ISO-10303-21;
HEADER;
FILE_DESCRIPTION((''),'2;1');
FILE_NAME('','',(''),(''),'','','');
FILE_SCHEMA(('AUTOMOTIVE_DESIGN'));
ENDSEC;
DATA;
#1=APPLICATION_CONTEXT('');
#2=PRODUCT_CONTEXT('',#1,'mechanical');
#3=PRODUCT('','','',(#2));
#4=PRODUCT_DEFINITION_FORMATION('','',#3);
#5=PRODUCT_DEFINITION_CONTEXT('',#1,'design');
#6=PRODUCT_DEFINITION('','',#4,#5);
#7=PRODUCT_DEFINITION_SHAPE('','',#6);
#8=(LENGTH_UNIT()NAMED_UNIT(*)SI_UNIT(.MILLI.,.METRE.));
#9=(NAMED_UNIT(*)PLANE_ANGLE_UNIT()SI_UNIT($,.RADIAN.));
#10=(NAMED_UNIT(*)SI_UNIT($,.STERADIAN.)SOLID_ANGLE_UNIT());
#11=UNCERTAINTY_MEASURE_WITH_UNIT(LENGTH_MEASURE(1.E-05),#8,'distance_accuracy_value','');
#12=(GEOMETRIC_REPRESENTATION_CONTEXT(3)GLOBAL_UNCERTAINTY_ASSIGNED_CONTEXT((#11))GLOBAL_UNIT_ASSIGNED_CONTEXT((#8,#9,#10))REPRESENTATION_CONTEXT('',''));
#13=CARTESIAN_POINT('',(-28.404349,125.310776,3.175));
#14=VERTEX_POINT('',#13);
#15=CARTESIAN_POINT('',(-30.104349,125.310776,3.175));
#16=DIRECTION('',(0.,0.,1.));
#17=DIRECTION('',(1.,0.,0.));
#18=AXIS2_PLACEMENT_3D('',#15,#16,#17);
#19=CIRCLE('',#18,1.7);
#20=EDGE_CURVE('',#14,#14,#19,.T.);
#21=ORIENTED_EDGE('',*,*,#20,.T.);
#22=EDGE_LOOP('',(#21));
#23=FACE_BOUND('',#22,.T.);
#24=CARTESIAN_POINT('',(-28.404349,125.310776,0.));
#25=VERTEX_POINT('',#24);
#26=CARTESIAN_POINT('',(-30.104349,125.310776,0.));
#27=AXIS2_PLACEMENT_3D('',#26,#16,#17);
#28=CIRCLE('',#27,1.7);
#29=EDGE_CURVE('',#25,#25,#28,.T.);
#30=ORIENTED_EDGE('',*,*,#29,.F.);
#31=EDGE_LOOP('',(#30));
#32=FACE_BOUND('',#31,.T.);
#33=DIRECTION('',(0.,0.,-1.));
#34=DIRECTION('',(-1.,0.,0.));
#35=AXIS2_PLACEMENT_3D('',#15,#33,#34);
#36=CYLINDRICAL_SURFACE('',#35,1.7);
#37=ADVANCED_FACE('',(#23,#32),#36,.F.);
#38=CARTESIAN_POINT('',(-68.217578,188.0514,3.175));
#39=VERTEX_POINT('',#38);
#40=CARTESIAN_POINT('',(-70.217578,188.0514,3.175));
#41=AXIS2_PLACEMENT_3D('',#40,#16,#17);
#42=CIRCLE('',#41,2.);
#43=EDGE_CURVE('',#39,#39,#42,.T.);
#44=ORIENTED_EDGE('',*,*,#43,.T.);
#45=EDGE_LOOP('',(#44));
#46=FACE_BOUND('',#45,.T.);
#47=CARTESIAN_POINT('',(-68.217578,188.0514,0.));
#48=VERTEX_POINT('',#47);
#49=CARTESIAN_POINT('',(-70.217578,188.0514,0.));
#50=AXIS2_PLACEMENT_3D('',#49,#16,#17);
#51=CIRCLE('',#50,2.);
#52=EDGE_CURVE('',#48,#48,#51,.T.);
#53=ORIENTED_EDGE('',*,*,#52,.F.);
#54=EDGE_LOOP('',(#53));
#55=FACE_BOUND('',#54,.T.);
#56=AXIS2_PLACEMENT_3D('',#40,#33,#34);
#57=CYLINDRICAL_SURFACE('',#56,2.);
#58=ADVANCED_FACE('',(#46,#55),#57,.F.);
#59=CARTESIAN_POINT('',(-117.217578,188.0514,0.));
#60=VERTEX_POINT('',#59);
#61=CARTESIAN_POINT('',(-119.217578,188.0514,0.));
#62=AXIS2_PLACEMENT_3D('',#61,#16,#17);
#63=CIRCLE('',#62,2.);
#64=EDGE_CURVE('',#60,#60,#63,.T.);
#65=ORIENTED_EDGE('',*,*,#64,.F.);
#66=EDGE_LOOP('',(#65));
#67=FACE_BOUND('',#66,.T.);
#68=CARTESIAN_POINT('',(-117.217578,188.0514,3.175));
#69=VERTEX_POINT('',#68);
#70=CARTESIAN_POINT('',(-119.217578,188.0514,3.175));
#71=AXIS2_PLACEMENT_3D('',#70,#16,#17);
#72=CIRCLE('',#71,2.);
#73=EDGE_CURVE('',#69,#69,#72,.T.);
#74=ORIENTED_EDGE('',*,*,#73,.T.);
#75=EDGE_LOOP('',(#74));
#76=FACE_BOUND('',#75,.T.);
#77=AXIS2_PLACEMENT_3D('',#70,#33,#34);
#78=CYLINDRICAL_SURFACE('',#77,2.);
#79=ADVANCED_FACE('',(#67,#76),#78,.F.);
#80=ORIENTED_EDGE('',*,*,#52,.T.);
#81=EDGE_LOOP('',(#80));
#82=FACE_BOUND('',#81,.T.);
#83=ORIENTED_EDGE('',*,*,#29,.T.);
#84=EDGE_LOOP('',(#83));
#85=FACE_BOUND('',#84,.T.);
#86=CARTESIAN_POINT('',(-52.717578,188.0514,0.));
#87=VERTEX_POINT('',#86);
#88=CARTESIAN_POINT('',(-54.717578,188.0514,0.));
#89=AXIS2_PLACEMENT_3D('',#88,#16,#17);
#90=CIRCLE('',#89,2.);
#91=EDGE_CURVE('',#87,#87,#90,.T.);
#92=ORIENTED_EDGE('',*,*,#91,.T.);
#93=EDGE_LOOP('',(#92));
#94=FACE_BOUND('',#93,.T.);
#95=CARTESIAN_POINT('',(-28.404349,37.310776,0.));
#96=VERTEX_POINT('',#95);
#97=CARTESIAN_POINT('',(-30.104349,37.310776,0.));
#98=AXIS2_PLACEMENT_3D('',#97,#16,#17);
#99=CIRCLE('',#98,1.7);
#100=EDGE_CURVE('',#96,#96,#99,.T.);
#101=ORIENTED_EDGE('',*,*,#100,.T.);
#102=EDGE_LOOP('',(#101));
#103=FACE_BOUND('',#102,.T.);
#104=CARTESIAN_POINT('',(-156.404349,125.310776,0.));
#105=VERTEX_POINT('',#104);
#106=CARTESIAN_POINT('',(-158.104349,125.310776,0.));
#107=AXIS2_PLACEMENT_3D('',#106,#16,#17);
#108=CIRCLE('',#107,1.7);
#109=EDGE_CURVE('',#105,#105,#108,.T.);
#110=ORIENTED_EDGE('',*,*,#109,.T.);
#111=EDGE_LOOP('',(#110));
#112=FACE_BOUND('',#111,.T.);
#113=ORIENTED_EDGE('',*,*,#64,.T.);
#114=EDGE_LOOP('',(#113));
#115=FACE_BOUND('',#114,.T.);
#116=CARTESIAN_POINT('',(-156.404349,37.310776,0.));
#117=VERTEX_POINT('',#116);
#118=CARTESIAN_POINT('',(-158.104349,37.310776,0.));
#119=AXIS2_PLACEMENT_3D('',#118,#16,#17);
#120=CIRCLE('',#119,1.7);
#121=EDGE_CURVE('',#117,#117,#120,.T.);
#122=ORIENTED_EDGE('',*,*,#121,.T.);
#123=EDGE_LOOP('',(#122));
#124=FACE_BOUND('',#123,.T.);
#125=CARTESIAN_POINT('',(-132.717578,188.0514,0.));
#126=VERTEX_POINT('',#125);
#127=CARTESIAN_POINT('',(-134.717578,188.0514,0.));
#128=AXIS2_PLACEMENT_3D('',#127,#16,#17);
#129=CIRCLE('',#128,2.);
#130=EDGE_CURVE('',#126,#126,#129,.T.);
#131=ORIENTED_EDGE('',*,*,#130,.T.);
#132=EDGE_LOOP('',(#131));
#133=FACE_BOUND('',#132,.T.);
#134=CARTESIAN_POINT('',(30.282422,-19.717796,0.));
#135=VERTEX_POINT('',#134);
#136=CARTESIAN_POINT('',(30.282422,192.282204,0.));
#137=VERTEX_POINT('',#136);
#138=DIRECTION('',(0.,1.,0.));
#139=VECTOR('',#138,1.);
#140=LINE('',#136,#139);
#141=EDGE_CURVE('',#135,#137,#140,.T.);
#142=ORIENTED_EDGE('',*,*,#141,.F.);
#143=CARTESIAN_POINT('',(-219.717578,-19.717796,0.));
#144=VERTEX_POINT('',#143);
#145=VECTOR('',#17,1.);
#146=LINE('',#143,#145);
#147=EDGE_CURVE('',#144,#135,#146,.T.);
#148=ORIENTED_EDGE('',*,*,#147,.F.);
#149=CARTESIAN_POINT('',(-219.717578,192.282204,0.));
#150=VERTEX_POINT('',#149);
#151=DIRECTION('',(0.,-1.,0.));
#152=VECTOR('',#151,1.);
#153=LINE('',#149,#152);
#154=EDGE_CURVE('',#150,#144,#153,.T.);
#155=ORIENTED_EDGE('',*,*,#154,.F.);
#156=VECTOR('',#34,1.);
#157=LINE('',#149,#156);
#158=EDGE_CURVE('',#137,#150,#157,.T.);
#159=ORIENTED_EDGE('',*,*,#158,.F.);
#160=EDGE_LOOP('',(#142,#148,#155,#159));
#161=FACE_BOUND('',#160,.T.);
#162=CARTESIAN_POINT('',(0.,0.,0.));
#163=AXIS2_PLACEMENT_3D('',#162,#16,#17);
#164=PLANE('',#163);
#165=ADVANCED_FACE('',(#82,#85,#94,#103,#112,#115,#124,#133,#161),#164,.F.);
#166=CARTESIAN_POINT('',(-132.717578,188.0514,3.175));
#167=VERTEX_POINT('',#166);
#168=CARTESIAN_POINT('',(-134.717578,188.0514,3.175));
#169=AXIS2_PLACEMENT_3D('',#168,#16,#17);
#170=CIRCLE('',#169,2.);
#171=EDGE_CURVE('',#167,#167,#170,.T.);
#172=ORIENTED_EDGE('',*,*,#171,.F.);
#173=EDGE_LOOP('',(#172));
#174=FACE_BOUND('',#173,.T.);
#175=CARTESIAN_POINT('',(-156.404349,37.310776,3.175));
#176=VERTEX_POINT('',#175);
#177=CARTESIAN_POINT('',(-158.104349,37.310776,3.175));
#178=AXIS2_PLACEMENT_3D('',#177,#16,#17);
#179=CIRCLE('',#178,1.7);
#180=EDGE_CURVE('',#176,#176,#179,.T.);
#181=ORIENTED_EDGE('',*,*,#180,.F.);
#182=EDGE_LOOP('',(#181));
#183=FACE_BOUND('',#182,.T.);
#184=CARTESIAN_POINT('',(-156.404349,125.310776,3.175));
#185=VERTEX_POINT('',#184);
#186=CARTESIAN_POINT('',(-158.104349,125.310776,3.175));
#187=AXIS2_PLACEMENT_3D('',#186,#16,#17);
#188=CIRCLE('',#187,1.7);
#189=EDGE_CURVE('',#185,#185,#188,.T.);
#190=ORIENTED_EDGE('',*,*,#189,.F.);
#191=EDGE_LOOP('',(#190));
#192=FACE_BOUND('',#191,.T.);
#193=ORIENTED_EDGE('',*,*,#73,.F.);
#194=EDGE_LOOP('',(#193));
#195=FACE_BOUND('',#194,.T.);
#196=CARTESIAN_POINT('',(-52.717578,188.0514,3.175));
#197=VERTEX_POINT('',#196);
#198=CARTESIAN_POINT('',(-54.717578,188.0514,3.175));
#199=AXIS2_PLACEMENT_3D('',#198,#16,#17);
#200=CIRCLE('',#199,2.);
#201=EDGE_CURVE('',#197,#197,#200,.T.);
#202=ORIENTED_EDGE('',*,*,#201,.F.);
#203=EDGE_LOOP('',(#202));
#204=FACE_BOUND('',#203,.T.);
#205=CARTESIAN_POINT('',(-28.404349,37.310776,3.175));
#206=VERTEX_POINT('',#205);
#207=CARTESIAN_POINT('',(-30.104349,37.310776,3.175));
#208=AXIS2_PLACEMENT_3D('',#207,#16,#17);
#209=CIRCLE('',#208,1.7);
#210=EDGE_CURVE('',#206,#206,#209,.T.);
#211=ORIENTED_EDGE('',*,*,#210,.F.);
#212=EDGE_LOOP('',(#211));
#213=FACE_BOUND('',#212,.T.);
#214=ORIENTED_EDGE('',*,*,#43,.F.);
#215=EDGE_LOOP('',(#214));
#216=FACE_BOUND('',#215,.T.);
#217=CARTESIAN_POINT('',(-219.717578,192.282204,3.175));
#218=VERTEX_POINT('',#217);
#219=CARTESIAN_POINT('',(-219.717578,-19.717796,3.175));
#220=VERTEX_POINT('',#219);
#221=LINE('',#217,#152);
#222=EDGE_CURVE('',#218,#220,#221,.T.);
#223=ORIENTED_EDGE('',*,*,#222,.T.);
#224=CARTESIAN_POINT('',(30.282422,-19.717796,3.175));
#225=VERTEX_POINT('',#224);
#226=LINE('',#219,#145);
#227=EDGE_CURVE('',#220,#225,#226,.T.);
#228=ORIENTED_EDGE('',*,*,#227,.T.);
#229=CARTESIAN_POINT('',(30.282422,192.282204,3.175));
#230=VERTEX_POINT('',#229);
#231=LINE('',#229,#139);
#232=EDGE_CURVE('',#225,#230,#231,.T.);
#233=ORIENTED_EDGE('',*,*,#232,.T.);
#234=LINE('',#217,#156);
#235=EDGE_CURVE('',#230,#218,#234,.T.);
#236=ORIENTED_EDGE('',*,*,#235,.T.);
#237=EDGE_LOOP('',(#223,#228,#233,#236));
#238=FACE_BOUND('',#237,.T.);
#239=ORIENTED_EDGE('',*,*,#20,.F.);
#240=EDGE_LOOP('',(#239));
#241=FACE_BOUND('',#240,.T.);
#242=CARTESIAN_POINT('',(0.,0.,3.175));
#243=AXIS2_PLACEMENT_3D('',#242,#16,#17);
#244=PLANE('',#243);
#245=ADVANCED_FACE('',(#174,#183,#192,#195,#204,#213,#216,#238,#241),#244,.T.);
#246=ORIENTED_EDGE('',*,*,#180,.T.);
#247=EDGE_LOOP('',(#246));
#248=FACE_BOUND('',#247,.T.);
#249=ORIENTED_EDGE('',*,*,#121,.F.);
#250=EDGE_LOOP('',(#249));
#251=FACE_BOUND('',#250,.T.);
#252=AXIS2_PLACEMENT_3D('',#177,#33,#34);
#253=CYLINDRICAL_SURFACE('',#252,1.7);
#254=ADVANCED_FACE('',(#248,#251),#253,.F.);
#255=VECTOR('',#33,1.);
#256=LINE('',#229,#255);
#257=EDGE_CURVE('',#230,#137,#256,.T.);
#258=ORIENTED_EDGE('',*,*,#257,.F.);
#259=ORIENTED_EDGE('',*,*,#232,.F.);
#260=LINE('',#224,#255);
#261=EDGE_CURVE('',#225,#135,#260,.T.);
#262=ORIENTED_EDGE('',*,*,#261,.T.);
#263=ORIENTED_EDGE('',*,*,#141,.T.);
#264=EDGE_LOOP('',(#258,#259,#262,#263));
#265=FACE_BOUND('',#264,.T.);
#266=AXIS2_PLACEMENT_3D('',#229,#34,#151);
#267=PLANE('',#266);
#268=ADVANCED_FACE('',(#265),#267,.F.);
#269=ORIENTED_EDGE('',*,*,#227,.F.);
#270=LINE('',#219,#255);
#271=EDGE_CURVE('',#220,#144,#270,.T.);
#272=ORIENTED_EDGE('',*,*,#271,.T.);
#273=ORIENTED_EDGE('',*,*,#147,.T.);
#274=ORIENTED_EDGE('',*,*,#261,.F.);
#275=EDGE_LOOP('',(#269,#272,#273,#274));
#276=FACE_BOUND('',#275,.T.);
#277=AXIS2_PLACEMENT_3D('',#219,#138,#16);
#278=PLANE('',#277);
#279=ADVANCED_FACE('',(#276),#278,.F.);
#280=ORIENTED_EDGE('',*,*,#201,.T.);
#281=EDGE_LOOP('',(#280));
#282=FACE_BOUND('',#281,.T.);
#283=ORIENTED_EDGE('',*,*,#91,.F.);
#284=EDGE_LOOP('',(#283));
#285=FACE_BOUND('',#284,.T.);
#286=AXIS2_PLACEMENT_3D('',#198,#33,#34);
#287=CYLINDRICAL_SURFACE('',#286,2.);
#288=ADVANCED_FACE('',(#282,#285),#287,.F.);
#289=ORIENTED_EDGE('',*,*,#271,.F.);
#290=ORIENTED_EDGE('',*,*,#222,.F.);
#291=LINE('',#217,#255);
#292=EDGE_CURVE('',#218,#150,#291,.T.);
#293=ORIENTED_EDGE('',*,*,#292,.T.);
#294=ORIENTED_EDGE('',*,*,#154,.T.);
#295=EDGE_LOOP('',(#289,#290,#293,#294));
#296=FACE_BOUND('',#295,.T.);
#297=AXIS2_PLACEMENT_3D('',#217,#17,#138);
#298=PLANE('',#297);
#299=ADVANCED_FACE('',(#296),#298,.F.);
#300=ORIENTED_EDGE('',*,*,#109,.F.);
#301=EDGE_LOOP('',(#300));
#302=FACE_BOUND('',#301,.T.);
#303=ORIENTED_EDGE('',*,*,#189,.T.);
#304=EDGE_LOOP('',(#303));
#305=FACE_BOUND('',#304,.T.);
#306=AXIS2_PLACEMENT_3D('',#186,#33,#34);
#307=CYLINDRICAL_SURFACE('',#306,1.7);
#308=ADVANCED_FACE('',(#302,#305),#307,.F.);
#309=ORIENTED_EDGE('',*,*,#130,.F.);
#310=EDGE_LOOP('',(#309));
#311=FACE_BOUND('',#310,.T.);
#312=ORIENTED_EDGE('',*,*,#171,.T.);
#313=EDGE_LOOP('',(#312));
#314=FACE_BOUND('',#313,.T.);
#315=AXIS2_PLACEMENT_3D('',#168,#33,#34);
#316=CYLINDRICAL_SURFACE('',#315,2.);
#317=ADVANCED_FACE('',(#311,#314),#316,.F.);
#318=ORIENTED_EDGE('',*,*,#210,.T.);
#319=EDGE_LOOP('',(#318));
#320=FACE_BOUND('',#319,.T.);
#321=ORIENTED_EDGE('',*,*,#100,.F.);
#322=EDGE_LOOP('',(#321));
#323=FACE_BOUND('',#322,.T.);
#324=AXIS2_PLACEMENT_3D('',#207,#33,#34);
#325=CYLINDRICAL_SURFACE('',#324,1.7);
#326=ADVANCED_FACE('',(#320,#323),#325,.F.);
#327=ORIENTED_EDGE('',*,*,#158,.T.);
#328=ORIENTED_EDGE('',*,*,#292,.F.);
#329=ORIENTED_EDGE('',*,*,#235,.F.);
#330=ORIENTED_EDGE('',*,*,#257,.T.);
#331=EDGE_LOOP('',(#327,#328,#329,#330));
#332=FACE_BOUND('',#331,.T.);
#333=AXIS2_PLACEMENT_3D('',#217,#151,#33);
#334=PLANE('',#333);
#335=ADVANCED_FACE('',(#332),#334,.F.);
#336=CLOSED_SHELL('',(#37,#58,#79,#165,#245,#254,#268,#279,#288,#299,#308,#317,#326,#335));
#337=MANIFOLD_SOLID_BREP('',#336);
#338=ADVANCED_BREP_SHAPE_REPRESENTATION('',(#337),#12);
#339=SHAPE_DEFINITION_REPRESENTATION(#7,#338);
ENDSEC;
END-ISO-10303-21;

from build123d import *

# Parameters (mm, degrees)
SKETCH1_W           = 250
SKETCH1_H           = 212
SKETCH1_R           = 1.7
SKETCH1_R_2         = 2
BOSS_EXTRUDE1_DEPTH = 3.175


with BuildPart() as part:
    # Sketch1 → Boss-Extrude1 (new body)
    with BuildSketch(Plane.XY):
        with Locations((-94.717578185, 86.282204336)):
            Rectangle(SKETCH1_W, SKETCH1_H)
        with Locations((-158.104348788, 37.310775618)):
            Circle(SKETCH1_R, mode=Mode.SUBTRACT)
        with Locations((-30.104348788, 37.310775618)):
            Circle(SKETCH1_R, mode=Mode.SUBTRACT)
        with Locations((-158.104348788, 125.310775618)):
            Circle(SKETCH1_R, mode=Mode.SUBTRACT)
        with Locations((-30.104348788, 125.310775618)):
            Circle(SKETCH1_R, mode=Mode.SUBTRACT)
        with Locations((-54.717578185, 188.051399825)):
            Circle(SKETCH1_R_2, mode=Mode.SUBTRACT)
        with Locations((-70.217578185, 188.051399825)):
            Circle(SKETCH1_R_2, mode=Mode.SUBTRACT)
        with Locations((-119.217578185, 188.051399825)):
            Circle(SKETCH1_R_2, mode=Mode.SUBTRACT)
        with Locations((-134.717578185, 188.051399825)):
            Circle(SKETCH1_R_2, mode=Mode.SUBTRACT)
    extrude(amount=BOSS_EXTRUDE1_DEPTH)


solid = part.part
